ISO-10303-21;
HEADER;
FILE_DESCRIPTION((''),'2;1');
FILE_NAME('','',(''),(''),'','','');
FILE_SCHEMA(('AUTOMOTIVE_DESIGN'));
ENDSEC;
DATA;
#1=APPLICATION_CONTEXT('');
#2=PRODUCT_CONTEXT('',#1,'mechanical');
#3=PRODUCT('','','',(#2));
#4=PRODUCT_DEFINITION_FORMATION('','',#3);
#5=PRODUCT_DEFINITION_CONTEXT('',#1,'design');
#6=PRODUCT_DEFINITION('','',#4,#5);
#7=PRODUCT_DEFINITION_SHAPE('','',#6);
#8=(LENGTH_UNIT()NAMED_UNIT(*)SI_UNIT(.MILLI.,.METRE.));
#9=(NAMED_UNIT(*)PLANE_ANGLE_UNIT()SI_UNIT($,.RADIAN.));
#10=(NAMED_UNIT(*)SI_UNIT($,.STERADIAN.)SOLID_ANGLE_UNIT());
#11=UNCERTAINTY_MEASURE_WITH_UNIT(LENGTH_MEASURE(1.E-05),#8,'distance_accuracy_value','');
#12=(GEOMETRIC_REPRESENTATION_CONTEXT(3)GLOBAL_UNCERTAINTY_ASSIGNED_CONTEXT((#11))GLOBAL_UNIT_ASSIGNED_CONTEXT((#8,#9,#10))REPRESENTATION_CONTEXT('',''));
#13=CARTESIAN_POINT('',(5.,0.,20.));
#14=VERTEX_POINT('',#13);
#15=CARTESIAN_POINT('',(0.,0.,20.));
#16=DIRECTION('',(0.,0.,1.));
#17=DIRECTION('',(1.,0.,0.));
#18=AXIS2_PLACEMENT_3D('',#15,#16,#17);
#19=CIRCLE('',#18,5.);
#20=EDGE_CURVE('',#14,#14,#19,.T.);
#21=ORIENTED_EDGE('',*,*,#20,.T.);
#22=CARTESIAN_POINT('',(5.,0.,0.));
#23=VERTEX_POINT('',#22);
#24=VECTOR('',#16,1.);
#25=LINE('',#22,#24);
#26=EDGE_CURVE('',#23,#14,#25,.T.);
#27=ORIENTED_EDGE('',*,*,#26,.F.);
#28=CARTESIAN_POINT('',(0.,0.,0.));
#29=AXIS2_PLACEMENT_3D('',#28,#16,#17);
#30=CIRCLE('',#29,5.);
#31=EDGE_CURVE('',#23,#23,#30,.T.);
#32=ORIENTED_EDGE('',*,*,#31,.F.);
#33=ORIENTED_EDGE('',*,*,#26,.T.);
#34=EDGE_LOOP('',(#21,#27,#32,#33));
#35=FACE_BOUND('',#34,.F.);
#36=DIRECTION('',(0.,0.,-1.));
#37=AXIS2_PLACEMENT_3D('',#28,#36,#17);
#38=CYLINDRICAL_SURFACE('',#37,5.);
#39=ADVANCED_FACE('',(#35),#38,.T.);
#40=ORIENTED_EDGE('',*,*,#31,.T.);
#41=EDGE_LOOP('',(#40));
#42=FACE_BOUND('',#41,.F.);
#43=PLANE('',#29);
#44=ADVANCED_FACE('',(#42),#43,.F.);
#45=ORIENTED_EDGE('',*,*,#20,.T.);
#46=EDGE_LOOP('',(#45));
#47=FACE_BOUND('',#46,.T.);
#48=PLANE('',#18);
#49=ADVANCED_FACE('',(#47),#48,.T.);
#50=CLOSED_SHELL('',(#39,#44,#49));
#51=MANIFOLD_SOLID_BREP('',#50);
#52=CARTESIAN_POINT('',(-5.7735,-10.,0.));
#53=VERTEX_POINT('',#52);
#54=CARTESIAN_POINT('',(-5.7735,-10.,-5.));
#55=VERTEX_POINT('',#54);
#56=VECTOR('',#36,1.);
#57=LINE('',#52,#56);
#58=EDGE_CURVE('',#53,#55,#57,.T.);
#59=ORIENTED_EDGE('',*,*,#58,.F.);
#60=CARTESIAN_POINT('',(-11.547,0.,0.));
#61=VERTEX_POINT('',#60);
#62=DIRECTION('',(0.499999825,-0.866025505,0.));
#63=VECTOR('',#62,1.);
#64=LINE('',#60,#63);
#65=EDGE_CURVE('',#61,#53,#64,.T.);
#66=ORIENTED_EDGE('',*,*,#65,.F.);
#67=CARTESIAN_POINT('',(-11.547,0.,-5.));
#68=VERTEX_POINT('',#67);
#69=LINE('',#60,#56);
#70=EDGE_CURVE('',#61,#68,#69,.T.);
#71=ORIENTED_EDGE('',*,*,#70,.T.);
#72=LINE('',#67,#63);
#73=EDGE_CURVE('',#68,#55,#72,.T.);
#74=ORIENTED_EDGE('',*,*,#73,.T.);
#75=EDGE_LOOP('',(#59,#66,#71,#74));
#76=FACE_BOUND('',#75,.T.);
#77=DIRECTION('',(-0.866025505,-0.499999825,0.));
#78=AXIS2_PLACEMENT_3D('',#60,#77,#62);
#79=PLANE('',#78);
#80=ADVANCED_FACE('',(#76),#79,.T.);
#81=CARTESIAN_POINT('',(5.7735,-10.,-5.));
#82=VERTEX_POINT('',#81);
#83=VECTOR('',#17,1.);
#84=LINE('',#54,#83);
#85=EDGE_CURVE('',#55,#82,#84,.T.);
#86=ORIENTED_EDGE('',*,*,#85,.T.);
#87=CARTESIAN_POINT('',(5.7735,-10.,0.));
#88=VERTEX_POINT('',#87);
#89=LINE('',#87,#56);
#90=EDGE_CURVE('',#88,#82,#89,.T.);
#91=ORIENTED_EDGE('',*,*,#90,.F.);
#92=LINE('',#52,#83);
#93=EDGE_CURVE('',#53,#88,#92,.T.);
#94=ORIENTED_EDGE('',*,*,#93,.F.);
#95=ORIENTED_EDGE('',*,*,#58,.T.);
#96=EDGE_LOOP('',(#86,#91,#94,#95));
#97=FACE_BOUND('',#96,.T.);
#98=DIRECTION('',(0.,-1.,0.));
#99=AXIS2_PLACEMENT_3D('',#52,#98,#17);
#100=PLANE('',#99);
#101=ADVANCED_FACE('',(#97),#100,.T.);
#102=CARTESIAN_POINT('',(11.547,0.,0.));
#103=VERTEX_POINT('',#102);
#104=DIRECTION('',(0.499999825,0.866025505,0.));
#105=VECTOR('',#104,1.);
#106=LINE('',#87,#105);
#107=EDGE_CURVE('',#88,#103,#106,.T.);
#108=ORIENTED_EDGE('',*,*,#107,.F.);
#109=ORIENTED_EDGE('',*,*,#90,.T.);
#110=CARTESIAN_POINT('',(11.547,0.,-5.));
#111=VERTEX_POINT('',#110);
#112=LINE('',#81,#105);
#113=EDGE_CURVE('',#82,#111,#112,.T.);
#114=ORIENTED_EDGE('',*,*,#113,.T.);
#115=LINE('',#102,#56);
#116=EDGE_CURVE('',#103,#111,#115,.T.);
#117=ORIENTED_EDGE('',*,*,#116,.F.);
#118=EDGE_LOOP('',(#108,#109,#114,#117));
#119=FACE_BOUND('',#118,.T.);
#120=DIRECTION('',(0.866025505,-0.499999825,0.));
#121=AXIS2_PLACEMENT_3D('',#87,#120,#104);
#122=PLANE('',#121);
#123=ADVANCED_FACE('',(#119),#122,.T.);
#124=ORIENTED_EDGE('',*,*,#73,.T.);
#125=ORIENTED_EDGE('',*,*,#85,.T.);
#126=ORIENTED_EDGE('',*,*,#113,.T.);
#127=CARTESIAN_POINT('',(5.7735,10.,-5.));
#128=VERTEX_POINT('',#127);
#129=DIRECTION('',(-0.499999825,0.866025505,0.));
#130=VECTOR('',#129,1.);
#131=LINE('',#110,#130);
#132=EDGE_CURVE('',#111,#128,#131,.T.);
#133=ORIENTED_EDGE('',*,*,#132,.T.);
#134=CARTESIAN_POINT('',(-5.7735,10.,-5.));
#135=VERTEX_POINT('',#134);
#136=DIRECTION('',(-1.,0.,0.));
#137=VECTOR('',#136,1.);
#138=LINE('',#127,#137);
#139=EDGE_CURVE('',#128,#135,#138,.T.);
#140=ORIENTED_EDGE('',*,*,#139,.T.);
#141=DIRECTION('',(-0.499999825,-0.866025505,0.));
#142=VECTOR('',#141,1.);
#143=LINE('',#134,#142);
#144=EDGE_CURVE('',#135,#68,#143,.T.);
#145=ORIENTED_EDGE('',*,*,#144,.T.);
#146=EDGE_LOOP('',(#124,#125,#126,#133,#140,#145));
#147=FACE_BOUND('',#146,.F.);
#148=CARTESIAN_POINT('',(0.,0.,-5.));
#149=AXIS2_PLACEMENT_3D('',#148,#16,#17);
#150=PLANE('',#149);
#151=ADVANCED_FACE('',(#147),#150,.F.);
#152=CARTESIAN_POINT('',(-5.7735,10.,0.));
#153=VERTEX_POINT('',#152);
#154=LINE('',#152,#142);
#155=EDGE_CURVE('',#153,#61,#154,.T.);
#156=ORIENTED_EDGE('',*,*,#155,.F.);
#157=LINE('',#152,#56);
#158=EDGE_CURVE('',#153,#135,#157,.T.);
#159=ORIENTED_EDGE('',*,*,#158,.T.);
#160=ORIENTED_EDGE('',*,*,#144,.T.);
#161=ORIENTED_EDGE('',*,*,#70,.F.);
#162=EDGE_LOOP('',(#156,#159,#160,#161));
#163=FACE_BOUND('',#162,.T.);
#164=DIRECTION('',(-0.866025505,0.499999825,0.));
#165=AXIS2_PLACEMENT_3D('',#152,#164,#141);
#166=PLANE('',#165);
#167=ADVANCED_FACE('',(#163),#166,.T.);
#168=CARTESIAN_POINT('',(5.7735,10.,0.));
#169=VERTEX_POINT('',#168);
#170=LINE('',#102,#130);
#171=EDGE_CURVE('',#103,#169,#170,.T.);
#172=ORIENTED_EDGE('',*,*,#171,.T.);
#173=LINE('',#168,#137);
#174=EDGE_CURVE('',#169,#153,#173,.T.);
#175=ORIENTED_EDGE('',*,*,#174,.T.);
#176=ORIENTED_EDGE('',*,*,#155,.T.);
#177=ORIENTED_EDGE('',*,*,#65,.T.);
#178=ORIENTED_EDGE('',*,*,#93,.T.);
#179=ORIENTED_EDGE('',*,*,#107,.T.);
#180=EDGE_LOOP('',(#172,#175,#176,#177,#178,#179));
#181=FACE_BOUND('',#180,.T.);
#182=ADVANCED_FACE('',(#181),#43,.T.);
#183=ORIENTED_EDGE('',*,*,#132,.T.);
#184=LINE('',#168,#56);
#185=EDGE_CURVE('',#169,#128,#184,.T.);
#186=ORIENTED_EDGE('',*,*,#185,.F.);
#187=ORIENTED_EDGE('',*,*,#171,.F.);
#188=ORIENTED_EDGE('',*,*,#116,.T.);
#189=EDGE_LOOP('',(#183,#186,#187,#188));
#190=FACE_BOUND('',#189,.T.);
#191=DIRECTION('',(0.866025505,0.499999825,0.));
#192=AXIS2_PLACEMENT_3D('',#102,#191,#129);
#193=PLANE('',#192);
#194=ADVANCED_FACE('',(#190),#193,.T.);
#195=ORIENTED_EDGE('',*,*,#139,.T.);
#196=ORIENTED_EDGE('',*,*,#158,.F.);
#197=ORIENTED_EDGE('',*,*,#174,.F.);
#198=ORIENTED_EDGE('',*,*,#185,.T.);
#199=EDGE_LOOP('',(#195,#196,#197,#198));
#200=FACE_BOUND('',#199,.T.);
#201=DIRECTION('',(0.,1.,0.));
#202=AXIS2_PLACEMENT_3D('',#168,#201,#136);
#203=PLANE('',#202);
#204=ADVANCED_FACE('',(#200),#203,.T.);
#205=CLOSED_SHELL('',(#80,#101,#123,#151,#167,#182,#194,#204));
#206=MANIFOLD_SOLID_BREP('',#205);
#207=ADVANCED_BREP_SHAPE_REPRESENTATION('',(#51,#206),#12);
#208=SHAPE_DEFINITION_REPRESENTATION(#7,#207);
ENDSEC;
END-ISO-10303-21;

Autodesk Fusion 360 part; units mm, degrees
sketch "Sketch1" plane through (0, 0, 0) normal (0, 0, 1) x (1, 0, 0)
  circle A0 centre (0, 0) radius 5
  line L0 (5.7735, -10) -> (11.547, 0)
  line L1 (11.547, 0) -> (5.7735, 10)
  line L2 (5.7735, 10) -> (-5.7735, 10)
  line L3 (-5.7735, 10) -> (-11.547, 0)
  line L4 (-11.547, 0) -> (-5.7735, -10)
  line L5 (-5.7735, -10) -> (5.7735, -10)
  dimension "d1" = 10
  dimension "d2" = 10
extrude "Extrude1" add sketch "Sketch1" along normal blind 20 contours A0 makes body 1
extrude "Extrude2" add sketch "Sketch1" against normal blind 5 separate body contours A0 | L0 L1 L2 L3 L4 L5 makes body 2
